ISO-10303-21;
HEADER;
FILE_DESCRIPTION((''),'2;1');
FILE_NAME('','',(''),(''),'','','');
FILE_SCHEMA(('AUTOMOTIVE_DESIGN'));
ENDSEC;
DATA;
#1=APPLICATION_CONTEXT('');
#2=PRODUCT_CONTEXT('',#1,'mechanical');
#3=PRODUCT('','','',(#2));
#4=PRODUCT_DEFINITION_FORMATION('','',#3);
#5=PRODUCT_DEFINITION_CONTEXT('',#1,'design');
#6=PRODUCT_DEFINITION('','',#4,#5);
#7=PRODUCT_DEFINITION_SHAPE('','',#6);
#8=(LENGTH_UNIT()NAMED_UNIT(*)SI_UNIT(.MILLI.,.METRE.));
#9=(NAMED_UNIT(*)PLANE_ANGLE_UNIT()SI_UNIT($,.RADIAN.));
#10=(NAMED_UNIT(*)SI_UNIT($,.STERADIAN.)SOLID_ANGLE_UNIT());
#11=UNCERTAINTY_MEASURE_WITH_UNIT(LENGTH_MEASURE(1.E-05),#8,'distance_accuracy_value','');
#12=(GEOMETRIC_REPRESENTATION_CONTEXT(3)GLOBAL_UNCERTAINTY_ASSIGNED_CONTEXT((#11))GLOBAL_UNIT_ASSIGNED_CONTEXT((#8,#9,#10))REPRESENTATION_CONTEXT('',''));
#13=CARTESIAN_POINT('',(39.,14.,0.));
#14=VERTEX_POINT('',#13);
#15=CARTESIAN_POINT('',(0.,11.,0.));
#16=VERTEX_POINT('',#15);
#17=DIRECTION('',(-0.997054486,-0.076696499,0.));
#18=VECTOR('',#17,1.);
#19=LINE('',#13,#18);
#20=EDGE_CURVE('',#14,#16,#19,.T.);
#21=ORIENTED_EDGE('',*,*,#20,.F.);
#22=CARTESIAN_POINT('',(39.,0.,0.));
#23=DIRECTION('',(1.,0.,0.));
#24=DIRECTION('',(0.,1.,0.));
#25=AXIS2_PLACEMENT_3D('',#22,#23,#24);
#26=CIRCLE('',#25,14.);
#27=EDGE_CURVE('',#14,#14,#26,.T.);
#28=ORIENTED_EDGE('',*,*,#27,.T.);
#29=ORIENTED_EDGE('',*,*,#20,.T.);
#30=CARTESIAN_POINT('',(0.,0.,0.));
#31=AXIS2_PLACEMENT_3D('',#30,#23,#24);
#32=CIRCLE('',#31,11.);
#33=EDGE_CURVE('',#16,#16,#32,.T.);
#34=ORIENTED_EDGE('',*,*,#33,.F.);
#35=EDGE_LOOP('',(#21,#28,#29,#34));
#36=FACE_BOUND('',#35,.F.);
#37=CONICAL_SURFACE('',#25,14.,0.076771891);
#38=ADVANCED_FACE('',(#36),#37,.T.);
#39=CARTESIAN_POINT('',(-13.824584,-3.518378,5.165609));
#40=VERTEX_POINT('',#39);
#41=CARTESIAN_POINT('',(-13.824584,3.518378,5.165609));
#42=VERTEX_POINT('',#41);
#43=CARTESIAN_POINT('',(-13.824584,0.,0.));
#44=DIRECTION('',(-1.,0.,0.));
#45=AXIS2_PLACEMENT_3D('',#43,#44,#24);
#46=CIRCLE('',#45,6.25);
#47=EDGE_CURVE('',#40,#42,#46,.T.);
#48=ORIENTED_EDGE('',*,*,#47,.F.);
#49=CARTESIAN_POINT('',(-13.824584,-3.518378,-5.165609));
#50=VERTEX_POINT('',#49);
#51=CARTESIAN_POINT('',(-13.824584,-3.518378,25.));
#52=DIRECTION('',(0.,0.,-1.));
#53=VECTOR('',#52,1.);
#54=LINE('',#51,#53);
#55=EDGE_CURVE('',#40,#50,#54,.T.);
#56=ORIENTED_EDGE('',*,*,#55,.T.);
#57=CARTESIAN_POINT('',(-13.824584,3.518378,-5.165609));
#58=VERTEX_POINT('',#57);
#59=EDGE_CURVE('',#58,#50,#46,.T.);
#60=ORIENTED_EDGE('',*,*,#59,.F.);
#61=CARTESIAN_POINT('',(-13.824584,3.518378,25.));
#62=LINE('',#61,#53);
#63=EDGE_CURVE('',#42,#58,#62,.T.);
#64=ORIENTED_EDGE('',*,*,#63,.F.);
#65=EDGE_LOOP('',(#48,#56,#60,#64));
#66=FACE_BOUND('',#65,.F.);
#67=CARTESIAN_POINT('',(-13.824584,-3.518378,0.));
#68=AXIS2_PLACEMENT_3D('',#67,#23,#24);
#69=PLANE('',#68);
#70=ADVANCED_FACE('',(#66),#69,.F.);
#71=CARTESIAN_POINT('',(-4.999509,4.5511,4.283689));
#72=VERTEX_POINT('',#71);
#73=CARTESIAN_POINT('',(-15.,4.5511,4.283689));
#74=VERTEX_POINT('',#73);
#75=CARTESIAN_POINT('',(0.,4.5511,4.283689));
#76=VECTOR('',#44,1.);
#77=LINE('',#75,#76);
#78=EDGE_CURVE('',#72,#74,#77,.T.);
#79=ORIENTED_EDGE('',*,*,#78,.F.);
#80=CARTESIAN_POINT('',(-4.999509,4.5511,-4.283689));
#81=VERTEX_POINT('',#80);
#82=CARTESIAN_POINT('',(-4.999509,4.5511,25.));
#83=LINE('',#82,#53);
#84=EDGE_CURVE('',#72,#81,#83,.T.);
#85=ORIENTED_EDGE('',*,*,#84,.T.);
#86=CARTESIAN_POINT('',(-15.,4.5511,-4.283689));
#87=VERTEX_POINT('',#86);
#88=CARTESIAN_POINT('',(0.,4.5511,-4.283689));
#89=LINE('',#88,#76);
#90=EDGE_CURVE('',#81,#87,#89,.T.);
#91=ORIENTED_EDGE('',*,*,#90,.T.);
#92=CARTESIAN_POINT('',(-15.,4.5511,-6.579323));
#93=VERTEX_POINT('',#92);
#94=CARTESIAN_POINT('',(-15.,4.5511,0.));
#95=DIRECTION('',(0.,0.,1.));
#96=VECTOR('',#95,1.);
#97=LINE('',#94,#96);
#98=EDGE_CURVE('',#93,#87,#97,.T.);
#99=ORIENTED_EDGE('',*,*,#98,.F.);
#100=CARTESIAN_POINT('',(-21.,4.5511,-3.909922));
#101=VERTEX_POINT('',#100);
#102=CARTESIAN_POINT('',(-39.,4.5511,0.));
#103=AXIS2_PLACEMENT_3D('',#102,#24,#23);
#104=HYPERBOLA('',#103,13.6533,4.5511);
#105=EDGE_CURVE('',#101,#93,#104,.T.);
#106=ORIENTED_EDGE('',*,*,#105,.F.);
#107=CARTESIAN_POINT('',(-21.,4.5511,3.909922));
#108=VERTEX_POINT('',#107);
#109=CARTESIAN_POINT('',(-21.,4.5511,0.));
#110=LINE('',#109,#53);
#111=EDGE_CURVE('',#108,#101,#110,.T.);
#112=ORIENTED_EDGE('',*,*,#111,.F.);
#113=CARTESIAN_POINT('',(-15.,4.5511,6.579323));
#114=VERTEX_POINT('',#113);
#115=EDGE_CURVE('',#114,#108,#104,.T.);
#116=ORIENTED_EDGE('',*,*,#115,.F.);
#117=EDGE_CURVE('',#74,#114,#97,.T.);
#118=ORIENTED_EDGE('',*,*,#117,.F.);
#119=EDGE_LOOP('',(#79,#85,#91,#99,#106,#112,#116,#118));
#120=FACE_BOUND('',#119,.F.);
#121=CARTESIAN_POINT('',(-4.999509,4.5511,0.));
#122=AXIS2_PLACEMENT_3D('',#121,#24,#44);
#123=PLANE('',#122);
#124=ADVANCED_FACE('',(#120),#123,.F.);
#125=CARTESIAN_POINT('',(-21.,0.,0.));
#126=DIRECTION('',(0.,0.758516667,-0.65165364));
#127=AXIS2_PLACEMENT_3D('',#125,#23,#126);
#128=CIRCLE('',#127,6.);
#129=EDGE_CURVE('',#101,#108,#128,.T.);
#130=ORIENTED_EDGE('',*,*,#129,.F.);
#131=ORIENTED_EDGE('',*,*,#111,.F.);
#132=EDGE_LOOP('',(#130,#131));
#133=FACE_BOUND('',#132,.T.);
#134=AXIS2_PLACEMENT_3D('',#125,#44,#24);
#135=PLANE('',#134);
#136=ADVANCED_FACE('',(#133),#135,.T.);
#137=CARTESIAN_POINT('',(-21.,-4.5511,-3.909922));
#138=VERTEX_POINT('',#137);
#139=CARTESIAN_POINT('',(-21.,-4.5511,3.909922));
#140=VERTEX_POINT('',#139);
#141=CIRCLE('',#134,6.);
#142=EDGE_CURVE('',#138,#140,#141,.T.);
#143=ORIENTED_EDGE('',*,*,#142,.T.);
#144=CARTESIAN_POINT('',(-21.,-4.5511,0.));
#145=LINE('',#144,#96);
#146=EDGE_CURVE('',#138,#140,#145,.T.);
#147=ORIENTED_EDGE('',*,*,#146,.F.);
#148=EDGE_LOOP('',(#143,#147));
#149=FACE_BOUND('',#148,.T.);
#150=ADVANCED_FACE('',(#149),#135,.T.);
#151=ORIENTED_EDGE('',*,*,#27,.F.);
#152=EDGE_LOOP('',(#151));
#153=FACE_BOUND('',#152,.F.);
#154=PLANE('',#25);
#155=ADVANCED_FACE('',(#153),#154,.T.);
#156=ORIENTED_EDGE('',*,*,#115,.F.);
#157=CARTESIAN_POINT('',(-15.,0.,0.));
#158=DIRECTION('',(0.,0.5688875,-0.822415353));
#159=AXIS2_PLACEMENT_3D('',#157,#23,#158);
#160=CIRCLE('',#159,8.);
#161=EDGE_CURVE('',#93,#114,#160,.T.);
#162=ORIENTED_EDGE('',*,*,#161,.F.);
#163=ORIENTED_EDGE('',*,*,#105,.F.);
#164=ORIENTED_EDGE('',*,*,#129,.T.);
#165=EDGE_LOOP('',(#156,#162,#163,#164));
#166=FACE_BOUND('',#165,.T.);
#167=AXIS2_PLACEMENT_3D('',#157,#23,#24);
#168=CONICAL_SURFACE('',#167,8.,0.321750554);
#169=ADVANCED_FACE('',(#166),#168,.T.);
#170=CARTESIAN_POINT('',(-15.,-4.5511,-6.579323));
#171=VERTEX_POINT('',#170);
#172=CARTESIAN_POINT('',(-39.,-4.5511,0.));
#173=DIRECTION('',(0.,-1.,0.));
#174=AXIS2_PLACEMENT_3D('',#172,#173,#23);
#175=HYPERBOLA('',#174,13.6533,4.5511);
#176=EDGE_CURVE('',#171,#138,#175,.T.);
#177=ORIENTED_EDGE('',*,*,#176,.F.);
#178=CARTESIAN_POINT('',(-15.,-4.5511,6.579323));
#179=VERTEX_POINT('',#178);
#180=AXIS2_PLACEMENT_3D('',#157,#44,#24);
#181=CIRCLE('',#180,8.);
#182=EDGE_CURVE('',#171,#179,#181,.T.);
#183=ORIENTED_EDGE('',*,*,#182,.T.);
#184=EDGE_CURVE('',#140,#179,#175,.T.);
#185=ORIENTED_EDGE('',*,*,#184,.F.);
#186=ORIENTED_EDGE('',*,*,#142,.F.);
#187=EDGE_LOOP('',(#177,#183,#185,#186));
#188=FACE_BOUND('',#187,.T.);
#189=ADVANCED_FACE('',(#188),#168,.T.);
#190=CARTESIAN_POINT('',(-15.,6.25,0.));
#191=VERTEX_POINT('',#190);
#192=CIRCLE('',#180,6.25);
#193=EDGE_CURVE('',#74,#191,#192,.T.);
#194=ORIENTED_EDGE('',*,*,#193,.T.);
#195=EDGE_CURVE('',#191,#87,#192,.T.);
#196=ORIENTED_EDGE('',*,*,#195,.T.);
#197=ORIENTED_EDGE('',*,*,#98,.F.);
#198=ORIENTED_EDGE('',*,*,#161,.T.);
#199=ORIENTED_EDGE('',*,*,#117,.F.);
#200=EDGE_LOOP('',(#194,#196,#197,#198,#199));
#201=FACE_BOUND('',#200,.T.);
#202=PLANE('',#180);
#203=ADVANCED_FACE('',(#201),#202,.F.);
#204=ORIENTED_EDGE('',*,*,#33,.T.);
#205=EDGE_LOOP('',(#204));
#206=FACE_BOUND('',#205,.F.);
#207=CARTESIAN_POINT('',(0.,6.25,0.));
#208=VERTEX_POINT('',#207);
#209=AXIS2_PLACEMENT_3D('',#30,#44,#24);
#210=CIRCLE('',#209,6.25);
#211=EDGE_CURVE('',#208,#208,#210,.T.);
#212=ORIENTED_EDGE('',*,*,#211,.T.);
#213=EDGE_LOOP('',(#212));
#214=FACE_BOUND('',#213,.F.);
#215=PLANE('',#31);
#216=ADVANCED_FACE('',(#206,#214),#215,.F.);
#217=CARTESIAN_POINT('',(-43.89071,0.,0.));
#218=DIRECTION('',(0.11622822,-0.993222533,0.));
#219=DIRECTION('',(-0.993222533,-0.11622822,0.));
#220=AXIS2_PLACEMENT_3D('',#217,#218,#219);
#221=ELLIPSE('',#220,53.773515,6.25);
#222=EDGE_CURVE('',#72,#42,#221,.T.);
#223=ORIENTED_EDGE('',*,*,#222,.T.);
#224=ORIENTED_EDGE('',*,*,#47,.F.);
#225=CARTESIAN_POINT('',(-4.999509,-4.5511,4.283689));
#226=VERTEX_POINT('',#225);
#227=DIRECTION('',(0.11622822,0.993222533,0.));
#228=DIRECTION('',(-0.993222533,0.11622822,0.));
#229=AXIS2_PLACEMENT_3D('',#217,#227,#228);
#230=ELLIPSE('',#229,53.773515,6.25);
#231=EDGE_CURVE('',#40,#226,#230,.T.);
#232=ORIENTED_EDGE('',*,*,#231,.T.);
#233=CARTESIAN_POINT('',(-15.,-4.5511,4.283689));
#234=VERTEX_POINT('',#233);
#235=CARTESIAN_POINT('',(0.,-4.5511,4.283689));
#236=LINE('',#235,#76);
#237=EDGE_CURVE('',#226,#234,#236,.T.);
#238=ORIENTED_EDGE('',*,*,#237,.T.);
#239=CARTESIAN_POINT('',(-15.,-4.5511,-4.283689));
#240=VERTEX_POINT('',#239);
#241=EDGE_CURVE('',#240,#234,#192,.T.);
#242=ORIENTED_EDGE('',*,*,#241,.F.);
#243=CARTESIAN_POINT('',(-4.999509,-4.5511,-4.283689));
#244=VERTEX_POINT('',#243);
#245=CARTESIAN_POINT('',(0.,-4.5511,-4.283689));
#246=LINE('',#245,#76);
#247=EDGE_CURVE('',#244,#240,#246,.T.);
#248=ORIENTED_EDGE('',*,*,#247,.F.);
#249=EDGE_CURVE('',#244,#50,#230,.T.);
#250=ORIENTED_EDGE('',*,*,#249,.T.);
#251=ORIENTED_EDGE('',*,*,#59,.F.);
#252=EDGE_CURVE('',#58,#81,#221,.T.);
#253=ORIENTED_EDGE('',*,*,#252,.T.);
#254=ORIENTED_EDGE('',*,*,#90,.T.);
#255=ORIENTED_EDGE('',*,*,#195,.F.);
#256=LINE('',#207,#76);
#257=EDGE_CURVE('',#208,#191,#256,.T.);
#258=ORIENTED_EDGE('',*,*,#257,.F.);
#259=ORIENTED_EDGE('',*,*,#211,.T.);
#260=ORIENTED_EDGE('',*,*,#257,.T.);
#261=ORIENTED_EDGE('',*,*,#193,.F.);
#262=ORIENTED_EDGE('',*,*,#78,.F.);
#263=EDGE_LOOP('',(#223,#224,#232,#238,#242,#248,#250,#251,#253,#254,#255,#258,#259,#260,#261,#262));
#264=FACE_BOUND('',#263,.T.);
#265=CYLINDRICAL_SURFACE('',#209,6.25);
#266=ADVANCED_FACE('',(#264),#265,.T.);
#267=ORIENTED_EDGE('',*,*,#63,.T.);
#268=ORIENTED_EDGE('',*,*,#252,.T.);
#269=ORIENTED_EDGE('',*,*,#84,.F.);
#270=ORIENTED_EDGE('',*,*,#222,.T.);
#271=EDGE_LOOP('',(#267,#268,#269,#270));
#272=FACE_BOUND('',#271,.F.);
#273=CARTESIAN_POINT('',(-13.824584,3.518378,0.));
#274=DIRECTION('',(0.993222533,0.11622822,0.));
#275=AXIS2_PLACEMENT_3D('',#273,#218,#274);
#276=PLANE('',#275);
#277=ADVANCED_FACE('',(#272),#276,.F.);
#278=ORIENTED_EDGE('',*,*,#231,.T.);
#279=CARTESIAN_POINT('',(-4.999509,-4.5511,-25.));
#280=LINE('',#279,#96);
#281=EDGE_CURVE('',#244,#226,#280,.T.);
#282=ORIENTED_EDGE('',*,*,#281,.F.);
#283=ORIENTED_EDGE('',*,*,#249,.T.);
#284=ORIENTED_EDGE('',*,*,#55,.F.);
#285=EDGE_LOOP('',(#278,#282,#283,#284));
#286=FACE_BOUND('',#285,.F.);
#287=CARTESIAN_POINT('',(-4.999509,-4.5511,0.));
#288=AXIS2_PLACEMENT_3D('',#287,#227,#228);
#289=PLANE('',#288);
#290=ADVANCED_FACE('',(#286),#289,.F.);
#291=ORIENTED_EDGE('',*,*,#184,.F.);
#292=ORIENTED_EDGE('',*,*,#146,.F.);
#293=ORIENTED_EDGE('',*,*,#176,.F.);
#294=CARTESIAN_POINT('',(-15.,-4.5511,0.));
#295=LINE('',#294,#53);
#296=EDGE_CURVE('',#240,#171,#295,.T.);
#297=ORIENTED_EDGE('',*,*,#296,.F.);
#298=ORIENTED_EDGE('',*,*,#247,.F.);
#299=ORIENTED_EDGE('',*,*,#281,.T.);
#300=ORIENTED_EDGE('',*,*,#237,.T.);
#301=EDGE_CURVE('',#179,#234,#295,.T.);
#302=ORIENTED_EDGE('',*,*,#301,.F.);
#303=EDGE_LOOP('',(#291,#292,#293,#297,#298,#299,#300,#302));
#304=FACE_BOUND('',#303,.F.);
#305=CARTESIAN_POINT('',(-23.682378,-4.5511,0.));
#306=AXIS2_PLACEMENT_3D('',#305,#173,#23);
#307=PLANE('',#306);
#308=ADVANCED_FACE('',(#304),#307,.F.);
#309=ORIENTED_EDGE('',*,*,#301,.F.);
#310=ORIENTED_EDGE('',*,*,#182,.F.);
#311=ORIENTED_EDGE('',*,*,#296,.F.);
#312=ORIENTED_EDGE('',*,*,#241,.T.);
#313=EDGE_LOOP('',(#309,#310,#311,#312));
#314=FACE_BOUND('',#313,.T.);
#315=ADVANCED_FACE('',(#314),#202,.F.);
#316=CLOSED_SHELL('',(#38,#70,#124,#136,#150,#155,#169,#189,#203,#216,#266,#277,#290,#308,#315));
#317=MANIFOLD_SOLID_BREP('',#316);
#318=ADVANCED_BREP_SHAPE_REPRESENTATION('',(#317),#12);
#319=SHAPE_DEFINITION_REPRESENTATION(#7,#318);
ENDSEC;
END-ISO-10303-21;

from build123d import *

# Parameters (mm, degrees)
F8_DEPTH = 25


with BuildPart() as f2:
    # F1 (on Top) → F2 (revolve)
    with BuildSketch(Plane.XY):
        Polygon((0, 11), (0, 0), (39, 0), (39, 14), align=None)
    revolve(axis=Axis((3.167361, 0, 0), (1, 0, 0)))

    # F3 (on Top) → F4 (revolve)
    with BuildSketch(Plane.XY):
        Polygon((-15, 0), (0, 0), (0, 1.084316), (0, 6.25), (-15, 6.25), align=None)
    revolve(axis=Axis((-7.5, 0, 0), (-1, 0, 0)))

    # F5 (on Top) → F6 (revolve)
    with BuildSketch(Plane.XY):
        Polygon((-21, 0), (-15, 0), (-15, 8), (-21, 6), align=None)
    revolve(axis=Axis((-18, 0, 0), (-1, 0, 0)))

    # F7 (on Top) → F8 (cut, symmetric)
    with BuildSketch(Plane.XY):
        Polygon((-4.999509, 4.5511), (-23.682378, 4.5511), (-23.776263, 0), (-13.824584, 0), (-13.824584, 3.518378), align=None)
        Polygon((-13.824584, 0), (-23.776263, 0), (-23.682378, -4.5511), (-4.999509, -4.5511), (-13.824584, -3.518378), align=None)
    extrude(amount=F8_DEPTH, both=True, mode=Mode.SUBTRACT)


solid = f2.part
